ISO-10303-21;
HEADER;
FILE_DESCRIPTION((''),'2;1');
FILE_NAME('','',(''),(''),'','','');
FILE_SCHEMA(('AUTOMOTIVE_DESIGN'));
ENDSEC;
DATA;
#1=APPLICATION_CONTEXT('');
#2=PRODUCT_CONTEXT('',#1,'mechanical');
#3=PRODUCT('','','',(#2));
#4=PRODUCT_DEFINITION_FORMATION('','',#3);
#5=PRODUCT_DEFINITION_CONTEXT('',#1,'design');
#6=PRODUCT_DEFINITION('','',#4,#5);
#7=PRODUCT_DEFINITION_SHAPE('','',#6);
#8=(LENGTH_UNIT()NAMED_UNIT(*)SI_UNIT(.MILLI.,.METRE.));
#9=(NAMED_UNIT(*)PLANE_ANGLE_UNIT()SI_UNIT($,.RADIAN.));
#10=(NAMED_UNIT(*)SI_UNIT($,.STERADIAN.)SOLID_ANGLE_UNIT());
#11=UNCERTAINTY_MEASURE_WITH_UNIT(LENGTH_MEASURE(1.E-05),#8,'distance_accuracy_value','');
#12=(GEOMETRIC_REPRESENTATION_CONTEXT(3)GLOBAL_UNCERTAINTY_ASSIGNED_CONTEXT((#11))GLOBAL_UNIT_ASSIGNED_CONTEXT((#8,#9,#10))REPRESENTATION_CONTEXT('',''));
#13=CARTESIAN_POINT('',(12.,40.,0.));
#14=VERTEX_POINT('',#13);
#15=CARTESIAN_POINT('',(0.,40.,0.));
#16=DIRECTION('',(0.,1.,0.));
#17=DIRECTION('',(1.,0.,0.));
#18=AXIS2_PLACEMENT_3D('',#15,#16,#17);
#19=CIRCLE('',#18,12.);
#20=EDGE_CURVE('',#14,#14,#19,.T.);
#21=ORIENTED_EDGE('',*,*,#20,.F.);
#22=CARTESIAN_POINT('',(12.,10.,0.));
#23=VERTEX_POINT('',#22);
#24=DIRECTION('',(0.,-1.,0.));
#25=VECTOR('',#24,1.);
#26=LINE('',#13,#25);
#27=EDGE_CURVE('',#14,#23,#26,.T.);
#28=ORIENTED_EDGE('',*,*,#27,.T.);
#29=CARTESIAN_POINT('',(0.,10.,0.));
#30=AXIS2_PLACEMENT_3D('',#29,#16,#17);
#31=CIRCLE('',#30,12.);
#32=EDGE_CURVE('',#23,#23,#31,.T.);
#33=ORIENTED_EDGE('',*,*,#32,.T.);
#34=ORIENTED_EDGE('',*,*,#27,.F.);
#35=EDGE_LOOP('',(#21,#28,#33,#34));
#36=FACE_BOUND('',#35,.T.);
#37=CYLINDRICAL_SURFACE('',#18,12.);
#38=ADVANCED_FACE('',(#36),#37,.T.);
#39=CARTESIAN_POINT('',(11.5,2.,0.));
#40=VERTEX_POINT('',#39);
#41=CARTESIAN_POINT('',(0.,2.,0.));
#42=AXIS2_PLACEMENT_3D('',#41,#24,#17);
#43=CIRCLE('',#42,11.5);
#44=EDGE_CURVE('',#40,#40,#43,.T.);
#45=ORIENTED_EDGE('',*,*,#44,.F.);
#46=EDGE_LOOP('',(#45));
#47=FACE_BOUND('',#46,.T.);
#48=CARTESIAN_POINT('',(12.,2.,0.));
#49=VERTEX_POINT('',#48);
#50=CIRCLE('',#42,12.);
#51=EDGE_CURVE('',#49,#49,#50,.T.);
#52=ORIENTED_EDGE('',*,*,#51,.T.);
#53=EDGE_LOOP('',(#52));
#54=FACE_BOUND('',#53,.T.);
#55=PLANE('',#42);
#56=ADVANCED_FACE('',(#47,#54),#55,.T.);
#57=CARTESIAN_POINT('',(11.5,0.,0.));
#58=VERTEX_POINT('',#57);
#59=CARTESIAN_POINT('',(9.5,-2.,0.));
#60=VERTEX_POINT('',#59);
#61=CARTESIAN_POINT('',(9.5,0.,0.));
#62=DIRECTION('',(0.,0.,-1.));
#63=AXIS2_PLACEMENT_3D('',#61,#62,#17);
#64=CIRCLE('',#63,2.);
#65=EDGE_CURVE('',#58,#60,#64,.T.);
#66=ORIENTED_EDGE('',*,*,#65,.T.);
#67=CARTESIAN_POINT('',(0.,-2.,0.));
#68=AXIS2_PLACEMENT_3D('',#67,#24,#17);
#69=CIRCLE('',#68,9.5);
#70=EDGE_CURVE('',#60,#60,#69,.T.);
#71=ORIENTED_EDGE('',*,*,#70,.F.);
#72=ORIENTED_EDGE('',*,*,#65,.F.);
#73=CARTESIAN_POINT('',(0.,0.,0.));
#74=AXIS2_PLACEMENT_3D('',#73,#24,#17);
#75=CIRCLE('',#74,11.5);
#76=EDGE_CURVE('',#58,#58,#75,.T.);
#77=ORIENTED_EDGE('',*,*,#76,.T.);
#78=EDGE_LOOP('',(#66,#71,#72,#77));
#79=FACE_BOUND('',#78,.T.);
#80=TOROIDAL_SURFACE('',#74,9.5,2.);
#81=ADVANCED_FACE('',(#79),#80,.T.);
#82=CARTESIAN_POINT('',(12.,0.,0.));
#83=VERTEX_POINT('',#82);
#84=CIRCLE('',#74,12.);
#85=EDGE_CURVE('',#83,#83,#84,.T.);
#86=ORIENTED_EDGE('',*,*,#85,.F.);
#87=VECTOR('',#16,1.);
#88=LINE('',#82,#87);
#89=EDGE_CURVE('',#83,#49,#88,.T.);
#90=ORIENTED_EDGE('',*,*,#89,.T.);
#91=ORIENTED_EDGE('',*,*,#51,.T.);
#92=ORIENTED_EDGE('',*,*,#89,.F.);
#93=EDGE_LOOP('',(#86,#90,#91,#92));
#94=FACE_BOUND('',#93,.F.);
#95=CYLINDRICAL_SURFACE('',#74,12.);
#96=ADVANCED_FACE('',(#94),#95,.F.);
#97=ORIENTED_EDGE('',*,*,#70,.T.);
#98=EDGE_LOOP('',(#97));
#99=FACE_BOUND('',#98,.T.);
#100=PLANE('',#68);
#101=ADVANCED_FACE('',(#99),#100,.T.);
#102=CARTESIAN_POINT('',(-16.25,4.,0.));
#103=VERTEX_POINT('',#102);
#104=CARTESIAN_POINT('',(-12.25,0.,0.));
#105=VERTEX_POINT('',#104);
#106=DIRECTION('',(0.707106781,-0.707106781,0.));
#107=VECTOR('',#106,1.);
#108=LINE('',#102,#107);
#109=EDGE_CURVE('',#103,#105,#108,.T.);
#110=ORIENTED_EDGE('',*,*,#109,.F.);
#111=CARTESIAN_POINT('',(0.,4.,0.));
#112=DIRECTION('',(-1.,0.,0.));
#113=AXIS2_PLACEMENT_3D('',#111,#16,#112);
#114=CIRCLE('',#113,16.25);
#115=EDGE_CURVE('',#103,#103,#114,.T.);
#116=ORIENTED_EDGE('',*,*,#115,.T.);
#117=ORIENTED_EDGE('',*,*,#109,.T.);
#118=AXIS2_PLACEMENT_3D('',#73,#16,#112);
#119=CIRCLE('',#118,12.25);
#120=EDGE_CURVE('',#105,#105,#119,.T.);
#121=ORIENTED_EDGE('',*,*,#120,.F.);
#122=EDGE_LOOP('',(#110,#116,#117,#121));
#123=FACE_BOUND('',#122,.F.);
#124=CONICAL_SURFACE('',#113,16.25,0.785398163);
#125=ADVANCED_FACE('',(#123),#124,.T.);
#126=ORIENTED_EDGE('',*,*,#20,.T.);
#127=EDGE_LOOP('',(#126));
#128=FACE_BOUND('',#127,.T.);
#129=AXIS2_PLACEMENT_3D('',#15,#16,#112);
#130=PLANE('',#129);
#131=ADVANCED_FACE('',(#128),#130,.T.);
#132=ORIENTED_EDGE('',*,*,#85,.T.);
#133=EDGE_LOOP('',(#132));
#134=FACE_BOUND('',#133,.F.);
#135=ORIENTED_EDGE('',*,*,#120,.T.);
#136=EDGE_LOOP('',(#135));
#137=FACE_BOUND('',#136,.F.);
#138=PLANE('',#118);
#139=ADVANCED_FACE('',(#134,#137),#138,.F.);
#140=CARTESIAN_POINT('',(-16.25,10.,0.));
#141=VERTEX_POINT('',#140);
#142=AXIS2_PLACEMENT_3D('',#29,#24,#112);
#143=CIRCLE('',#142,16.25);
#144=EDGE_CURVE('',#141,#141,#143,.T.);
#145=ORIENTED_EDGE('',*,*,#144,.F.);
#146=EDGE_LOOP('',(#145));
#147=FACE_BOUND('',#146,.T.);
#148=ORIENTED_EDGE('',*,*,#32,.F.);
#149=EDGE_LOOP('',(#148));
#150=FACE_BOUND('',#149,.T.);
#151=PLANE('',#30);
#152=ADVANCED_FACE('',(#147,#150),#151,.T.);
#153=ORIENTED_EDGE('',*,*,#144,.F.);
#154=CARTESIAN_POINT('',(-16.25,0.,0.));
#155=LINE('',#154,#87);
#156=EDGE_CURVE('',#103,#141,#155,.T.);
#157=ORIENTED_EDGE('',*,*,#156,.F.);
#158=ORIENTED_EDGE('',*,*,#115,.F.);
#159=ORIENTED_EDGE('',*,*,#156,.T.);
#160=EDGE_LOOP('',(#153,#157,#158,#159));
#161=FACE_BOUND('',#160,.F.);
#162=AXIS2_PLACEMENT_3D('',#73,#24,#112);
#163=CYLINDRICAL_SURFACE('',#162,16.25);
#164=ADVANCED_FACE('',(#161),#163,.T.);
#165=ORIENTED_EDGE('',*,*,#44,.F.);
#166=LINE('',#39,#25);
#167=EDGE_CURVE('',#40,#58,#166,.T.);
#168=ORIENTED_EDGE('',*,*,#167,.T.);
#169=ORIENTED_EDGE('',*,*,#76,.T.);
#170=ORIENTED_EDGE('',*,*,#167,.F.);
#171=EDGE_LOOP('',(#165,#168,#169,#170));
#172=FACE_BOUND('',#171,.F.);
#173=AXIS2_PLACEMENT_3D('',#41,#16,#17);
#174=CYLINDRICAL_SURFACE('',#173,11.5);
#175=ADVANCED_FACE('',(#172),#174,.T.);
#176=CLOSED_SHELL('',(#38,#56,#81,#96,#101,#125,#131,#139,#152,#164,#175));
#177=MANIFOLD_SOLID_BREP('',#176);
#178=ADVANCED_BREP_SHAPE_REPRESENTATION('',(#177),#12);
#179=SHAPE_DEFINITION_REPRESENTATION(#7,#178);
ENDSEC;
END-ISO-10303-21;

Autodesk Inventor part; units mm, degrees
ref_plane "YZ Plane" through (0, 0, 0) normal (1, 0, 0) x (0, 1, 0)
ref_plane "XZ Plane" through (0, 0, 0) normal (0, 1, 0) x (-1, 0, 0)
ref_plane "XY Plane" through (0, 0, 0) normal (0, 0, 1) x (1, 0, 0)
sketch "Sketch1" plane through (0, 0, 0) normal (0, 1, 0) x (-1, 0, 0)
  circle A0 centre (0, 0) radius 16.25
  dimension "d0" = 32.5
extrude "Extrusion1" add sketch "Sketch1" along normal blind 40
chamfer "Chamfer1" distance 4 angle 45 1 edges at (16.25, 0, 0)
sketch "Sketch2" plane through (0, 40, 0) normal (0, 1, 0) x (1, 0, 0)
  circle A0 centre (0, 0) radius 12
  circle A1 centre (0, 0) radius 16.25
  dimension "d6" = 24
extrude "Extrusion2" cut sketch "Sketch2" against normal blind 30
sketch "Sketch3" plane through (0, 0, 0) normal (0, -1, 0) x (1, 0, 0)
  circle A0 centre (0, 0) radius 12
extrude "Extrusion3" cut sketch "Sketch3" against normal blind 2
sketch "Sketch4" plane through (0, 2, 0) normal (0, -1, 0) x (1, 0, 0)
  circle A0 centre (0, 0) radius 11.5
  dimension "d11" = 23
extrude "Extrusion4" add sketch "Sketch4" along normal blind 4
fillet "Fillet1" radius 2 1 edges at (-11.5, -2, 0)
properties part number "Buton_1"
